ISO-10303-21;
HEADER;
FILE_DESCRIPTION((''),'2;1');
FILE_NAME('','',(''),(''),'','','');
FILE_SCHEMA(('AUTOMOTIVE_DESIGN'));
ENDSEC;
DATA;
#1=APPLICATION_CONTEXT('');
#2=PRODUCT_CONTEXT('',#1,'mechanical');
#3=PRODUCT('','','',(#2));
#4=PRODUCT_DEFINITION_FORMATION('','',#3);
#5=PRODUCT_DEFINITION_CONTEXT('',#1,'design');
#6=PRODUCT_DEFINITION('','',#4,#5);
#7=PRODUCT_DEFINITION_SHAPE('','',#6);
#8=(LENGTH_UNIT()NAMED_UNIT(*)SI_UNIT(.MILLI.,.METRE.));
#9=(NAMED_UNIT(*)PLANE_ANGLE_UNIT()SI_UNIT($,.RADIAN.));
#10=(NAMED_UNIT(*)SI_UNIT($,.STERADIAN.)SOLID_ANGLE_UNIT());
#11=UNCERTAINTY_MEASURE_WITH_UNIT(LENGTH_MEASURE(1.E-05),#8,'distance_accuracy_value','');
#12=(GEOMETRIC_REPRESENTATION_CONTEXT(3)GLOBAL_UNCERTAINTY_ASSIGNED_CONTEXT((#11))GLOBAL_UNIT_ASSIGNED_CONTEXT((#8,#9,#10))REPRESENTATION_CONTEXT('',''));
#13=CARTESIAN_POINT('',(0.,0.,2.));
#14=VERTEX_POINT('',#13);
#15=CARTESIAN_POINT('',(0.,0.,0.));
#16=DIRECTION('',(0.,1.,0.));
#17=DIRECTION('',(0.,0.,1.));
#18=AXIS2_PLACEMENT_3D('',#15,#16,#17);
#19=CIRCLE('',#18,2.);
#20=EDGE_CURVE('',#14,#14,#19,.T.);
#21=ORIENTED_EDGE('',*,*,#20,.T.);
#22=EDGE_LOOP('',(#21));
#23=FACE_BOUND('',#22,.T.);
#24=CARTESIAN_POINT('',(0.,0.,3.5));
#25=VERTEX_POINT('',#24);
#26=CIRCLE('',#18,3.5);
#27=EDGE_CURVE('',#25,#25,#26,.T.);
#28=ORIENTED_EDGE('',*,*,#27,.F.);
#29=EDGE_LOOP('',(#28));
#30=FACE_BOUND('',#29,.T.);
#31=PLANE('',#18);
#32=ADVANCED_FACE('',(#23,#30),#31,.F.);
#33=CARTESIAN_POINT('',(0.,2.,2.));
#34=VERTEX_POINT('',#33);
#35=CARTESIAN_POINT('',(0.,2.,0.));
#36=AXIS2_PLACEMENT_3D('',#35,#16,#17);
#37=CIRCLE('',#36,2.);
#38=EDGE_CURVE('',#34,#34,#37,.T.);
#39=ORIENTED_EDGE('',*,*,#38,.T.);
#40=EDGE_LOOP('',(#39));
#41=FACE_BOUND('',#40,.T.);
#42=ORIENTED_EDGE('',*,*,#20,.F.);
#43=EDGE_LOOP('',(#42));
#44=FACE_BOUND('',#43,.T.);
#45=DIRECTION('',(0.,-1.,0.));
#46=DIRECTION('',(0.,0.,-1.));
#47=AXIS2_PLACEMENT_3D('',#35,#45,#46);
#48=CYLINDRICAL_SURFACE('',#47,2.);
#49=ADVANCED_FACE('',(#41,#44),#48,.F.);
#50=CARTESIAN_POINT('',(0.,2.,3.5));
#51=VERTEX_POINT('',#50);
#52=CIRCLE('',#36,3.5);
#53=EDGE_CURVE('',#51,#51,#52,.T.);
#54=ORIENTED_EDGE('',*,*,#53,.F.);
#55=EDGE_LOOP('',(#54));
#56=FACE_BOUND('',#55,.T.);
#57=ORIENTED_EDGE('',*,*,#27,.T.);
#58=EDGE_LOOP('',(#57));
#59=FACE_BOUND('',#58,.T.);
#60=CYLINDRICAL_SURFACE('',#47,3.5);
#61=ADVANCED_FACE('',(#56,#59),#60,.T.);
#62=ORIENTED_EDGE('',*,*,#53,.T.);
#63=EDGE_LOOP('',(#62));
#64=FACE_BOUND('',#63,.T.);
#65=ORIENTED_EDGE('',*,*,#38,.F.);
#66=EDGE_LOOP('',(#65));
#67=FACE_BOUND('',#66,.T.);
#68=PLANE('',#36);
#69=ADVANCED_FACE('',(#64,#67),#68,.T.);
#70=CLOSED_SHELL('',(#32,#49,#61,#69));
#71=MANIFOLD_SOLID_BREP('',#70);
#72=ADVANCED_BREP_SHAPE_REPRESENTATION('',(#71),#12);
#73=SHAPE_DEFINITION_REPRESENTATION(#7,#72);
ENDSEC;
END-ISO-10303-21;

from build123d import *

# Parameters (mm, degrees)
SKETCH_1_R      = 3.5
SKETCH_1_R_2    = 2
EXTRUDE_1_DEPTH = 2


with BuildPart() as part:
    # 스케치1 → 보스-돌출1 (new body)
    with BuildSketch(Plane(origin=(0, 0, 0), x_dir=(1, 0, 0), z_dir=(0, 1, 0))):
        Circle(SKETCH_1_R)
        Circle(SKETCH_1_R_2, mode=Mode.SUBTRACT)
    extrude(amount=EXTRUDE_1_DEPTH)


solid = part.part
